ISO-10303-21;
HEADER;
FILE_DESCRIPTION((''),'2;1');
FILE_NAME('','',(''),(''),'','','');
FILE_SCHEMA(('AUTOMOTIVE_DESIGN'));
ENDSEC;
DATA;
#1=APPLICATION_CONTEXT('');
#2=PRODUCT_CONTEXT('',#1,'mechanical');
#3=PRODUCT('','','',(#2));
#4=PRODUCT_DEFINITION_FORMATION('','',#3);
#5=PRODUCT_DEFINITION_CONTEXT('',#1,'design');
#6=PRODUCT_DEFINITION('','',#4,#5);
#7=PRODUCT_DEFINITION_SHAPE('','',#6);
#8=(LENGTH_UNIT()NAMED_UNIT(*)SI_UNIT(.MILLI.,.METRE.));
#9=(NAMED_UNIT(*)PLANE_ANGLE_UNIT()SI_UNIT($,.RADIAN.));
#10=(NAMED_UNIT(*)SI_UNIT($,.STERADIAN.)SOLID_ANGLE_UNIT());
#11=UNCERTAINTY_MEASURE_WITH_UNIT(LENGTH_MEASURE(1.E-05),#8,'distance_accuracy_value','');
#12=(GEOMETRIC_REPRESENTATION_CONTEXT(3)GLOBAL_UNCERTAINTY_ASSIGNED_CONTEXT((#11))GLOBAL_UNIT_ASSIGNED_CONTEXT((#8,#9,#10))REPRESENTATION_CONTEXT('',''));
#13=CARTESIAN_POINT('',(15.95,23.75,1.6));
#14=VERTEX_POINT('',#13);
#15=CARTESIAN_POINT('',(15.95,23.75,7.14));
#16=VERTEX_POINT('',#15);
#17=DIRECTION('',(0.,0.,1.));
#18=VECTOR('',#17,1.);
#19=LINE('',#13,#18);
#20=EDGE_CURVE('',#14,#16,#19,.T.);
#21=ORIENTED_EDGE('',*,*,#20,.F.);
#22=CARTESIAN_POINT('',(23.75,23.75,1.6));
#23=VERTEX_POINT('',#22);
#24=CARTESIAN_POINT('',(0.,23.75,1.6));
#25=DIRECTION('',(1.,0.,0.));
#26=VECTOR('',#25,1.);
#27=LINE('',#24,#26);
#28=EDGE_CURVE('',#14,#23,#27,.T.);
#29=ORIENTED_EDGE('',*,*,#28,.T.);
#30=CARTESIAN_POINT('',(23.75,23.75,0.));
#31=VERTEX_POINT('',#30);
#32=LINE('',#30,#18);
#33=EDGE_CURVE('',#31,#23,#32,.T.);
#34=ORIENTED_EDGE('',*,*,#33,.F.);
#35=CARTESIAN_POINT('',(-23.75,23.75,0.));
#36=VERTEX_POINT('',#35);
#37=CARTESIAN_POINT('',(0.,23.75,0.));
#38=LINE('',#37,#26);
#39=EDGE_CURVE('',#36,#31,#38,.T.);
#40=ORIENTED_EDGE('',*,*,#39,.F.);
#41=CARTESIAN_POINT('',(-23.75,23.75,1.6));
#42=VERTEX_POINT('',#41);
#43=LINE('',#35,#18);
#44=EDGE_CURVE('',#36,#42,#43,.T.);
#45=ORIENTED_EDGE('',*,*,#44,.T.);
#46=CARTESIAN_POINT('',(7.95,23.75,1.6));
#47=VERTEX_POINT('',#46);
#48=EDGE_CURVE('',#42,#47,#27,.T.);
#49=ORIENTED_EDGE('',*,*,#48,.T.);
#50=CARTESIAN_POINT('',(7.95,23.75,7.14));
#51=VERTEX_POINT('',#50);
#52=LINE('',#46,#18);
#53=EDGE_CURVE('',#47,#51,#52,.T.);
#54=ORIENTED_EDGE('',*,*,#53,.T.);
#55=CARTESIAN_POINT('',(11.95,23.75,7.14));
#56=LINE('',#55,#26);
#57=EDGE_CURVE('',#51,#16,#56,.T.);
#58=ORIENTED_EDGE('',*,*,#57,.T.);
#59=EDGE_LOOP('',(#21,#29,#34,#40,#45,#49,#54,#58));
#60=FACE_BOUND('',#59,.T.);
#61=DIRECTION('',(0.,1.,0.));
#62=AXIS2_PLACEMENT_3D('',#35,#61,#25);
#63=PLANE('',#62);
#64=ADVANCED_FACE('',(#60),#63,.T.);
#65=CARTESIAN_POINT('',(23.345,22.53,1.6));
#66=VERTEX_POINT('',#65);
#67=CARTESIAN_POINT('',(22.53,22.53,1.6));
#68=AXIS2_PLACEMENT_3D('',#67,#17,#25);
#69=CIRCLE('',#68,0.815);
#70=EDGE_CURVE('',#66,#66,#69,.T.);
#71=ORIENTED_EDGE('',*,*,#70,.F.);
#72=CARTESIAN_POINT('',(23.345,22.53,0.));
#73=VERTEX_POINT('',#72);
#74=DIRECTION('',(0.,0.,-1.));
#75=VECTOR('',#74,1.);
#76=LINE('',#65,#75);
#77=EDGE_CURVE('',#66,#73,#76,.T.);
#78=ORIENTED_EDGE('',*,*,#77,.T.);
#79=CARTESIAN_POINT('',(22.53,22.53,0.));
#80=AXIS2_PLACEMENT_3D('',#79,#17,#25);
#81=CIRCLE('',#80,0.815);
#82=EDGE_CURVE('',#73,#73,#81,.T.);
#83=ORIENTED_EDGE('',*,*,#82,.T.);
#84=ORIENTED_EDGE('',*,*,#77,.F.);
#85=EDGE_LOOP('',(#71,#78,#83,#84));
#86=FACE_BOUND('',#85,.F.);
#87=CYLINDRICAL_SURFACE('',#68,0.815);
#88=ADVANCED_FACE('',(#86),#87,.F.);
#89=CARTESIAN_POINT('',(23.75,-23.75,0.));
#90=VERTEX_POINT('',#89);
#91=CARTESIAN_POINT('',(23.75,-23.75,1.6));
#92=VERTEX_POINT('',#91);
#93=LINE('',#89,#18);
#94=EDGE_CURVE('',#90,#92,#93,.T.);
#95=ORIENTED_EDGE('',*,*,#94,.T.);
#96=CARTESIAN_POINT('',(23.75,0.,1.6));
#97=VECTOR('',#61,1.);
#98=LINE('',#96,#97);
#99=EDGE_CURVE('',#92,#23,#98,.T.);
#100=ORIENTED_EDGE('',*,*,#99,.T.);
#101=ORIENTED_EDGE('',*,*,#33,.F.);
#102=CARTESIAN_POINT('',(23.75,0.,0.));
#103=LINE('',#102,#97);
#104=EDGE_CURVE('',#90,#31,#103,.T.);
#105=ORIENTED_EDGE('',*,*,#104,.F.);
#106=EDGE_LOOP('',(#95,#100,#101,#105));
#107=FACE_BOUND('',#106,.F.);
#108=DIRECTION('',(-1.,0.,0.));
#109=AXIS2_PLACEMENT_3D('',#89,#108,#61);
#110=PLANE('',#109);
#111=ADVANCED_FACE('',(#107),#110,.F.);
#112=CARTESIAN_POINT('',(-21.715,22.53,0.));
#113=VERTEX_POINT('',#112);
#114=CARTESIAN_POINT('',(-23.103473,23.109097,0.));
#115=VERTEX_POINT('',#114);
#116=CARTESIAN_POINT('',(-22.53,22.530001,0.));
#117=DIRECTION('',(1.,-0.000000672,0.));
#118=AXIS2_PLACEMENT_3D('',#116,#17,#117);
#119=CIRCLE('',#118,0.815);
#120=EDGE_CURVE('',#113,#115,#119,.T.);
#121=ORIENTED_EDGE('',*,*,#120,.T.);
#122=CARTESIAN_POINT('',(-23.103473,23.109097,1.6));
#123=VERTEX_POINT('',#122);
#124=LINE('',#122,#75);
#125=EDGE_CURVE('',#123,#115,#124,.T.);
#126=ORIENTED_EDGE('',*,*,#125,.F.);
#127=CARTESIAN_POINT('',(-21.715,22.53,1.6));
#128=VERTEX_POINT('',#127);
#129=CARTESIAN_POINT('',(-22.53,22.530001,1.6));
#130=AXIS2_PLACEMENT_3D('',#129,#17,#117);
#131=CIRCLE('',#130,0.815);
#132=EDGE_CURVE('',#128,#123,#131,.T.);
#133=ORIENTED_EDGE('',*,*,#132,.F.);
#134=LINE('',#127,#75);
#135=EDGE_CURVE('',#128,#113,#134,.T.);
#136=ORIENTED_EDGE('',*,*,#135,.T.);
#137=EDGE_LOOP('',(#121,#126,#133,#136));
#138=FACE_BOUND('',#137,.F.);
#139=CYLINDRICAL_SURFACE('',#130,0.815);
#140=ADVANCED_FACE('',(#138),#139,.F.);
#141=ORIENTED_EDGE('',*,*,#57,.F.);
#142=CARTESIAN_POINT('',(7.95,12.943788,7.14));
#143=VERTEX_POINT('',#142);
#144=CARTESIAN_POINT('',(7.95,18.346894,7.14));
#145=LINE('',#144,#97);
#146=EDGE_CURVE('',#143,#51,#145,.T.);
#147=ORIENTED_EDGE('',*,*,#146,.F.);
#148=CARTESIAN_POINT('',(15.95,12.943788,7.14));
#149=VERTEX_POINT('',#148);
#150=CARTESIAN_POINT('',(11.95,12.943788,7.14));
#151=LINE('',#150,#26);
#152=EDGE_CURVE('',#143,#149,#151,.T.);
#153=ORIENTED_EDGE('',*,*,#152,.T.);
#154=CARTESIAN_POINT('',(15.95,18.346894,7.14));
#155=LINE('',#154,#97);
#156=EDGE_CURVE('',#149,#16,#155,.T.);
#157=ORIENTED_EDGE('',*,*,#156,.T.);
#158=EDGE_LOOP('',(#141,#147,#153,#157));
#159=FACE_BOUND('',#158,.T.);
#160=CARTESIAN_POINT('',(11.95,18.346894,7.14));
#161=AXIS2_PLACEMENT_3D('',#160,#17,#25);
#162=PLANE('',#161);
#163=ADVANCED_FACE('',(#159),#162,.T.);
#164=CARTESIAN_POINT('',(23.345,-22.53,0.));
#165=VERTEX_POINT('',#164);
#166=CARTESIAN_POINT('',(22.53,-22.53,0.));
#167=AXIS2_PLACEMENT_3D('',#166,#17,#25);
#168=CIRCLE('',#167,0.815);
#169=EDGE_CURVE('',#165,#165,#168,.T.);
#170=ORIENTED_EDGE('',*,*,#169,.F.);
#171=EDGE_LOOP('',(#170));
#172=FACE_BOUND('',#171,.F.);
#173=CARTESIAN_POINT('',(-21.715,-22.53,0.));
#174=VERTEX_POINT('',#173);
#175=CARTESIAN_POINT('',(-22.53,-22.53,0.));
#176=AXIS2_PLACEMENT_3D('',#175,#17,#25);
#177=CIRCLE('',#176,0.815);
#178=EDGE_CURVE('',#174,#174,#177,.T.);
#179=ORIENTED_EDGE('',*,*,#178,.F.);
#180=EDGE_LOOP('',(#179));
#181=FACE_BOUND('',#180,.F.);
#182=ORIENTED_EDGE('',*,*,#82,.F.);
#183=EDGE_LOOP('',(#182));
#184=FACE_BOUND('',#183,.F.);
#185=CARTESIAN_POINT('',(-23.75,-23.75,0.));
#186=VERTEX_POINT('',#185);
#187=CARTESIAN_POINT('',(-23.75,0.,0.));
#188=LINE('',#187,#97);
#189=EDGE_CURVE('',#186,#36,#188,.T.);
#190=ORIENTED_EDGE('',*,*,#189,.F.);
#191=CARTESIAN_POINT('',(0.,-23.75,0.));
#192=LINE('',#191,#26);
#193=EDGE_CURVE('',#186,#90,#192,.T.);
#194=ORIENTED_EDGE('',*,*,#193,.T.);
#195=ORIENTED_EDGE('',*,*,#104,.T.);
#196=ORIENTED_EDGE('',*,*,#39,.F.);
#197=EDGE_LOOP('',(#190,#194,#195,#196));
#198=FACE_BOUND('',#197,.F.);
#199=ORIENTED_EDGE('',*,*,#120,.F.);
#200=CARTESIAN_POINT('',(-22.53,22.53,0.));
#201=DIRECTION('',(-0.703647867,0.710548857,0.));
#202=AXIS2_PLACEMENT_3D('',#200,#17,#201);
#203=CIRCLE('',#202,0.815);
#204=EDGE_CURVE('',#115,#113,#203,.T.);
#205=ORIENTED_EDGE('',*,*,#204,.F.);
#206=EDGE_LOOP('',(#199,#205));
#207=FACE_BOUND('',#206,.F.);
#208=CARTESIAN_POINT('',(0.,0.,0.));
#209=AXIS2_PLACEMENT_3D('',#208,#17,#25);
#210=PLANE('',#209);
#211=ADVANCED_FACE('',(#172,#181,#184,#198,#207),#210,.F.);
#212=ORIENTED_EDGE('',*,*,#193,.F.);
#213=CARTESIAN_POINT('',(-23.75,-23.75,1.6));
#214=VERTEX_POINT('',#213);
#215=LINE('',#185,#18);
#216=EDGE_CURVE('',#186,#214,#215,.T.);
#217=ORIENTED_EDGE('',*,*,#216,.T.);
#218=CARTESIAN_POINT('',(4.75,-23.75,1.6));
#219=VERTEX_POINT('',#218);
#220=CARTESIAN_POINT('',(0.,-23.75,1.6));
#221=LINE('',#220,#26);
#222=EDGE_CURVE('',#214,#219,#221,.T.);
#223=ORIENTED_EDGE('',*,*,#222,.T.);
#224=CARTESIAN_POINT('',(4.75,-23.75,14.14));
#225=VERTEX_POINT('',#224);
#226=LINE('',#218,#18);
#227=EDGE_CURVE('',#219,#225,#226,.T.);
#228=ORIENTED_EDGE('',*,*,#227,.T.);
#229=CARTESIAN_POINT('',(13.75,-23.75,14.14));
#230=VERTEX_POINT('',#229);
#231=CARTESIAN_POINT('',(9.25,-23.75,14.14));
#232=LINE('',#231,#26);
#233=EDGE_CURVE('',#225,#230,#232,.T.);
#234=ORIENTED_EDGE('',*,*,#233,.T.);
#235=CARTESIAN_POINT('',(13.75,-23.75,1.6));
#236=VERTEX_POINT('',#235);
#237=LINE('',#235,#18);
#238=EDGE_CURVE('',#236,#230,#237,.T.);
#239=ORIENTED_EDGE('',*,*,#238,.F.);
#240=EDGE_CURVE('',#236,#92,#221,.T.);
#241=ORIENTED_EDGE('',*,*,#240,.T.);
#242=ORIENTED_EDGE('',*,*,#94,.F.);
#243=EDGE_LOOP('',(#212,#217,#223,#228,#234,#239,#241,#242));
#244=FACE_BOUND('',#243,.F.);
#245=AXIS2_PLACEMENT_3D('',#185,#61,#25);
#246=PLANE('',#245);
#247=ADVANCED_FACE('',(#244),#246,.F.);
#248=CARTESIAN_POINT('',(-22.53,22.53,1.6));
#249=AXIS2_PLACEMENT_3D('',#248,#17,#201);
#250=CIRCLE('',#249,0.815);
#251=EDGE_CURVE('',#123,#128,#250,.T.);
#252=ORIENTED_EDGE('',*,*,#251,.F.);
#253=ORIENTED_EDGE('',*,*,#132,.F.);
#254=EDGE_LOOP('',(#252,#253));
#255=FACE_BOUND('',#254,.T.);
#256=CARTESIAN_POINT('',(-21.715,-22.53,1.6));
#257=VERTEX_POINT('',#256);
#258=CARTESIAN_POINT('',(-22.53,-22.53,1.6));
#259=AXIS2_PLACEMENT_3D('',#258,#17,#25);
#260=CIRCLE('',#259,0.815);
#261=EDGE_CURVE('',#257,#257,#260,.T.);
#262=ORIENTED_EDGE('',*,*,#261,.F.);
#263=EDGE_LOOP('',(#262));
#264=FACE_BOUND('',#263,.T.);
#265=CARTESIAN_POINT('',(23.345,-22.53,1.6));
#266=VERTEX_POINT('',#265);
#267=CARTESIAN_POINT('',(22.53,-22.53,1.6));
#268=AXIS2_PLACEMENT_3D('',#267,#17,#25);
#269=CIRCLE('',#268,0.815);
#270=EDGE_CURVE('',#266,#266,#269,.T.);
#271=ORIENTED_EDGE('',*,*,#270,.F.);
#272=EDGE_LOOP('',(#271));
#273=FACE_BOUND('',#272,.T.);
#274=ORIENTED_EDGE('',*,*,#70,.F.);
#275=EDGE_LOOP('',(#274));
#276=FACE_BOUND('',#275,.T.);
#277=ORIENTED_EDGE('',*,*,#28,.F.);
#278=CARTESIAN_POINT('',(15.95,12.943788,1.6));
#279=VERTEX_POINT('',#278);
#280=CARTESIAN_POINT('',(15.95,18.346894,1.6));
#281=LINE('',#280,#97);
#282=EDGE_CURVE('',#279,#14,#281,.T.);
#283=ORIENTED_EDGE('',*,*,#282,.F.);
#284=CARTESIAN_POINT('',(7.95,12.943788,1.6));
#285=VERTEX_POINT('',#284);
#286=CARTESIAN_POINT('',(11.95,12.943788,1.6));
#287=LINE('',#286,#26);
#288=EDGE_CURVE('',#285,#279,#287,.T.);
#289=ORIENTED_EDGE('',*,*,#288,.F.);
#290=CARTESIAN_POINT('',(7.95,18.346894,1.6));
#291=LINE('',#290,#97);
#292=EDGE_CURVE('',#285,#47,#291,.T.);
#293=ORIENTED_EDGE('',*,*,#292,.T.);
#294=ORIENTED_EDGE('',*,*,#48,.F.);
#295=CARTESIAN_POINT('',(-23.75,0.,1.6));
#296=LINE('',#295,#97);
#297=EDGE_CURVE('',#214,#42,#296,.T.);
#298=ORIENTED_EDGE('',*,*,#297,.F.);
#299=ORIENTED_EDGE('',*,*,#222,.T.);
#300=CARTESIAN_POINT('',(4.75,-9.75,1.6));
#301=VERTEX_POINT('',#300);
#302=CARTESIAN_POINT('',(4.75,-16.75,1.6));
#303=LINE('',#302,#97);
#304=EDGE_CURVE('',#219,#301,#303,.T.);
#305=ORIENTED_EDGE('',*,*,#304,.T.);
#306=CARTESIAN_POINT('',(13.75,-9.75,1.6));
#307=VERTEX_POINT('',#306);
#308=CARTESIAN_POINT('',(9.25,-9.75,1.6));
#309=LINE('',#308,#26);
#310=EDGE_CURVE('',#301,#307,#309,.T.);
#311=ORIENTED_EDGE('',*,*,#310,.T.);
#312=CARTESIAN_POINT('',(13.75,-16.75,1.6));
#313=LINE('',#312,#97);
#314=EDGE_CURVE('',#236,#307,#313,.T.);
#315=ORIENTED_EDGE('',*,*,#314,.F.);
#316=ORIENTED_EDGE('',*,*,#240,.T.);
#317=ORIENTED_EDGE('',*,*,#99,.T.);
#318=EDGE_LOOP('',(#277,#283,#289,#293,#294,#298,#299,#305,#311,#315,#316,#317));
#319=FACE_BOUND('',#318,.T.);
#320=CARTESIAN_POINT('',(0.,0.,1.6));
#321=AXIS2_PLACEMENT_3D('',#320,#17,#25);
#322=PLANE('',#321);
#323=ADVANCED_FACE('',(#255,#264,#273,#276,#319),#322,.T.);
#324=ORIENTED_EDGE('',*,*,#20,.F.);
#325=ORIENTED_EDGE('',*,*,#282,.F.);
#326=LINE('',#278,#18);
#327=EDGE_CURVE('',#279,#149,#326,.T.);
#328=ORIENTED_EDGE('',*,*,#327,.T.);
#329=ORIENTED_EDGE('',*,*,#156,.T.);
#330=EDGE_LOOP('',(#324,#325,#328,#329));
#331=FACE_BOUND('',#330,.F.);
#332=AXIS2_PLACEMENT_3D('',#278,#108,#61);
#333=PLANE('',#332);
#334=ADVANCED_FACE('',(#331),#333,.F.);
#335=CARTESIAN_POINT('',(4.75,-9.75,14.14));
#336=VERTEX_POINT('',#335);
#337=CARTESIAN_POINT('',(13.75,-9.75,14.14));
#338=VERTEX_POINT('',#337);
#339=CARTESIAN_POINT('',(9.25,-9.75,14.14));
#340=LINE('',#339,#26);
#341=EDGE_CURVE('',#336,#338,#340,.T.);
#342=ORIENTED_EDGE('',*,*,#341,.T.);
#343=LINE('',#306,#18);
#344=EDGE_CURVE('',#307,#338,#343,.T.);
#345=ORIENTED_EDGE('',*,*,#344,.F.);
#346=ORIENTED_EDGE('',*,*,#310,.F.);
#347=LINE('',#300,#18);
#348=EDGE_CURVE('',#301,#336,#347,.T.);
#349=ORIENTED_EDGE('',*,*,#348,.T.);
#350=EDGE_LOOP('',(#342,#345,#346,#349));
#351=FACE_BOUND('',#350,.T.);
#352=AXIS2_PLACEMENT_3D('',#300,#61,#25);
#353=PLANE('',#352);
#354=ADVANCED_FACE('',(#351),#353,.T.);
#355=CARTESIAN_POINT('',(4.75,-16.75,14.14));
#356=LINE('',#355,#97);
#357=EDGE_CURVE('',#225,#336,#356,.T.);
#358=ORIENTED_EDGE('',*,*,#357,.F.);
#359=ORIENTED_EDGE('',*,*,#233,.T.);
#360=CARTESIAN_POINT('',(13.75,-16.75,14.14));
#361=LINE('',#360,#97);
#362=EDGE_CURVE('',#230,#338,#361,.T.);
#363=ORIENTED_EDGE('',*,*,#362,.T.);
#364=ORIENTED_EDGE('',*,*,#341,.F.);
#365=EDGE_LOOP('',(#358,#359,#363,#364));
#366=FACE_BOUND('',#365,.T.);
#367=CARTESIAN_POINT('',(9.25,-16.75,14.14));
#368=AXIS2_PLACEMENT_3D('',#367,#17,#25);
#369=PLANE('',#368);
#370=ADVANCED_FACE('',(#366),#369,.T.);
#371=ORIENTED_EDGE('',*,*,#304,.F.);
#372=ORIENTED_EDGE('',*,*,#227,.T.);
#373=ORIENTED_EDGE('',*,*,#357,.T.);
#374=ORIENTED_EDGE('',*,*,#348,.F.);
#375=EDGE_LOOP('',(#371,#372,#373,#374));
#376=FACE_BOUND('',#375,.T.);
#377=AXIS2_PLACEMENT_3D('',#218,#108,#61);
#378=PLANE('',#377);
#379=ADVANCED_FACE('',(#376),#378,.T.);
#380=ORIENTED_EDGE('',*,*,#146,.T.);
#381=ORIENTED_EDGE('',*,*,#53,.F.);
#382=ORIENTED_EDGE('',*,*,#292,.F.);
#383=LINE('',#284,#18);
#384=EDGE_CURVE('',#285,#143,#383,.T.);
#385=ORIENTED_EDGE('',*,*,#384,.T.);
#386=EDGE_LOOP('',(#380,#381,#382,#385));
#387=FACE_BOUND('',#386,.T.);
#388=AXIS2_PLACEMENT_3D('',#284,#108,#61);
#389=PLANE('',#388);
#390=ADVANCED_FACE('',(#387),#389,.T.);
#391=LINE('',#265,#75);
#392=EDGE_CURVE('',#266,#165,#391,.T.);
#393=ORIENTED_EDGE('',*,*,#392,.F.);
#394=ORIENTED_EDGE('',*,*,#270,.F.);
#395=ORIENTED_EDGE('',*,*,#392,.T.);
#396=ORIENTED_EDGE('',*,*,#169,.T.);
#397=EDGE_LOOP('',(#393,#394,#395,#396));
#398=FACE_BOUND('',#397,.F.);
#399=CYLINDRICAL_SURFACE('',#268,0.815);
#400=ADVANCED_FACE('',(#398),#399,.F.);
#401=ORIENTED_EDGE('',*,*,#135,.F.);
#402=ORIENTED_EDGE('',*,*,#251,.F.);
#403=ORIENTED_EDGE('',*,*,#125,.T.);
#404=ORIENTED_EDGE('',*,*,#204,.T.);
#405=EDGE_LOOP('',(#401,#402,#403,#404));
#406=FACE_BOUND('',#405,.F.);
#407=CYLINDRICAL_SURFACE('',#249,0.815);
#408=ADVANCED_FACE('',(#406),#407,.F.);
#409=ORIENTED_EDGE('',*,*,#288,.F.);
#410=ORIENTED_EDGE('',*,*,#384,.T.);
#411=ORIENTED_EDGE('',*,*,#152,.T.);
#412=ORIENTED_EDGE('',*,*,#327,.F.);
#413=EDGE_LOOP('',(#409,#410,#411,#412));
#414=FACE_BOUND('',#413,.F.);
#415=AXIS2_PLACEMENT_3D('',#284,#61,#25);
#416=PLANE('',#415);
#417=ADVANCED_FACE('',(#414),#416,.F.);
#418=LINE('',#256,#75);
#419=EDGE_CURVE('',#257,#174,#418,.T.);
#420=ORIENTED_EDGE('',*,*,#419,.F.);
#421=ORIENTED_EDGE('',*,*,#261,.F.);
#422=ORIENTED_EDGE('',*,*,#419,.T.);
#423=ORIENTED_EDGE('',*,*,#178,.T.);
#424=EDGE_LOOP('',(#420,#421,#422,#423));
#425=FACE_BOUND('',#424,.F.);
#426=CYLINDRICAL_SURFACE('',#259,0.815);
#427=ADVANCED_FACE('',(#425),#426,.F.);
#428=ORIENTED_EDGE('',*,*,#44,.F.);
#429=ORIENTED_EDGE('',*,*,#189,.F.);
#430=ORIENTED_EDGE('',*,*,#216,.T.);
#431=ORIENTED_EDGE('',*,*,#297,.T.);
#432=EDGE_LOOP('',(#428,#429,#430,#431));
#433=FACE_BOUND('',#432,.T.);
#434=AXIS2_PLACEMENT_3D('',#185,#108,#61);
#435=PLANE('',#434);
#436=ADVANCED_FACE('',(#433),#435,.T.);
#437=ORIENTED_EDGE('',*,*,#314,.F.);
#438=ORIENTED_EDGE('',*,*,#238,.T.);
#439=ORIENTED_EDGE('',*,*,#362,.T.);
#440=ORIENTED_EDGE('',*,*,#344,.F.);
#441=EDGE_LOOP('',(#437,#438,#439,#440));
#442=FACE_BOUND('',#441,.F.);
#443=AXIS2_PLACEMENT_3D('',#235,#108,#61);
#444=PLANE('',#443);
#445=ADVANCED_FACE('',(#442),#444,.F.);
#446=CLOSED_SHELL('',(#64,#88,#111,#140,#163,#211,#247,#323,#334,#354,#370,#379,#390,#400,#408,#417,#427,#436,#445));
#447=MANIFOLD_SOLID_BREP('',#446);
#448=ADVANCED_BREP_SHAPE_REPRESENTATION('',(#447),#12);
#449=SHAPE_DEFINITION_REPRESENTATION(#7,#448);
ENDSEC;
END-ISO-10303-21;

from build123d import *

# Parameters (mm, degrees)
F0_W     = 47.5
F0_H     = 47.5
F1_DEPTH = 1.6
F2_W     = 9
F2_H     = 14
F3_DEPTH = 12.54
F2_W_2   = 8
F2_H_2   = 10.806212
F4_DEPTH = 5.54
F2_R     = 0.815
F5_DEPTH = 1.6


with BuildPart() as f1:
    # F0 (on Top) → F1 (new body)
    with BuildSketch(Plane.XY):
        Rectangle(F0_W, F0_H)
    extrude(amount=F1_DEPTH)

    # F2 (on face) → F3 (join)
    with BuildSketch(Plane.XY.offset(1.6)):
        with Locations((9.25, -16.75)):
            Rectangle(F2_W, F2_H)
    extrude(amount=F3_DEPTH)

    # F2 (on face) → F4 (join)
    with BuildSketch(Plane.XY.offset(1.6)):
        with Locations((11.95, 18.346894)):
            Rectangle(F2_W_2, F2_H_2)
    extrude(amount=F4_DEPTH)

    # F2 (on face) → F5 (cut)
    with BuildSketch(Plane.XY.offset(1.6)):
        with Locations((-22.53, -22.53)):
            Circle(F2_R)
        with Locations((22.53, -22.53)):
            Circle(F2_R)
        with Locations((22.53, 22.53)):
            Circle(F2_R)
        with BuildLine():
            ThreePointArc((-21.715, 22.53), (-22.216277, 23.282199), (-23.103473, 23.109097))
            ThreePointArc((-23.103473, 23.109097), (-22.843723, 21.777801), (-21.715, 22.53))
        make_face()
    extrude(amount=-F5_DEPTH, mode=Mode.SUBTRACT)


solid = f1.part
